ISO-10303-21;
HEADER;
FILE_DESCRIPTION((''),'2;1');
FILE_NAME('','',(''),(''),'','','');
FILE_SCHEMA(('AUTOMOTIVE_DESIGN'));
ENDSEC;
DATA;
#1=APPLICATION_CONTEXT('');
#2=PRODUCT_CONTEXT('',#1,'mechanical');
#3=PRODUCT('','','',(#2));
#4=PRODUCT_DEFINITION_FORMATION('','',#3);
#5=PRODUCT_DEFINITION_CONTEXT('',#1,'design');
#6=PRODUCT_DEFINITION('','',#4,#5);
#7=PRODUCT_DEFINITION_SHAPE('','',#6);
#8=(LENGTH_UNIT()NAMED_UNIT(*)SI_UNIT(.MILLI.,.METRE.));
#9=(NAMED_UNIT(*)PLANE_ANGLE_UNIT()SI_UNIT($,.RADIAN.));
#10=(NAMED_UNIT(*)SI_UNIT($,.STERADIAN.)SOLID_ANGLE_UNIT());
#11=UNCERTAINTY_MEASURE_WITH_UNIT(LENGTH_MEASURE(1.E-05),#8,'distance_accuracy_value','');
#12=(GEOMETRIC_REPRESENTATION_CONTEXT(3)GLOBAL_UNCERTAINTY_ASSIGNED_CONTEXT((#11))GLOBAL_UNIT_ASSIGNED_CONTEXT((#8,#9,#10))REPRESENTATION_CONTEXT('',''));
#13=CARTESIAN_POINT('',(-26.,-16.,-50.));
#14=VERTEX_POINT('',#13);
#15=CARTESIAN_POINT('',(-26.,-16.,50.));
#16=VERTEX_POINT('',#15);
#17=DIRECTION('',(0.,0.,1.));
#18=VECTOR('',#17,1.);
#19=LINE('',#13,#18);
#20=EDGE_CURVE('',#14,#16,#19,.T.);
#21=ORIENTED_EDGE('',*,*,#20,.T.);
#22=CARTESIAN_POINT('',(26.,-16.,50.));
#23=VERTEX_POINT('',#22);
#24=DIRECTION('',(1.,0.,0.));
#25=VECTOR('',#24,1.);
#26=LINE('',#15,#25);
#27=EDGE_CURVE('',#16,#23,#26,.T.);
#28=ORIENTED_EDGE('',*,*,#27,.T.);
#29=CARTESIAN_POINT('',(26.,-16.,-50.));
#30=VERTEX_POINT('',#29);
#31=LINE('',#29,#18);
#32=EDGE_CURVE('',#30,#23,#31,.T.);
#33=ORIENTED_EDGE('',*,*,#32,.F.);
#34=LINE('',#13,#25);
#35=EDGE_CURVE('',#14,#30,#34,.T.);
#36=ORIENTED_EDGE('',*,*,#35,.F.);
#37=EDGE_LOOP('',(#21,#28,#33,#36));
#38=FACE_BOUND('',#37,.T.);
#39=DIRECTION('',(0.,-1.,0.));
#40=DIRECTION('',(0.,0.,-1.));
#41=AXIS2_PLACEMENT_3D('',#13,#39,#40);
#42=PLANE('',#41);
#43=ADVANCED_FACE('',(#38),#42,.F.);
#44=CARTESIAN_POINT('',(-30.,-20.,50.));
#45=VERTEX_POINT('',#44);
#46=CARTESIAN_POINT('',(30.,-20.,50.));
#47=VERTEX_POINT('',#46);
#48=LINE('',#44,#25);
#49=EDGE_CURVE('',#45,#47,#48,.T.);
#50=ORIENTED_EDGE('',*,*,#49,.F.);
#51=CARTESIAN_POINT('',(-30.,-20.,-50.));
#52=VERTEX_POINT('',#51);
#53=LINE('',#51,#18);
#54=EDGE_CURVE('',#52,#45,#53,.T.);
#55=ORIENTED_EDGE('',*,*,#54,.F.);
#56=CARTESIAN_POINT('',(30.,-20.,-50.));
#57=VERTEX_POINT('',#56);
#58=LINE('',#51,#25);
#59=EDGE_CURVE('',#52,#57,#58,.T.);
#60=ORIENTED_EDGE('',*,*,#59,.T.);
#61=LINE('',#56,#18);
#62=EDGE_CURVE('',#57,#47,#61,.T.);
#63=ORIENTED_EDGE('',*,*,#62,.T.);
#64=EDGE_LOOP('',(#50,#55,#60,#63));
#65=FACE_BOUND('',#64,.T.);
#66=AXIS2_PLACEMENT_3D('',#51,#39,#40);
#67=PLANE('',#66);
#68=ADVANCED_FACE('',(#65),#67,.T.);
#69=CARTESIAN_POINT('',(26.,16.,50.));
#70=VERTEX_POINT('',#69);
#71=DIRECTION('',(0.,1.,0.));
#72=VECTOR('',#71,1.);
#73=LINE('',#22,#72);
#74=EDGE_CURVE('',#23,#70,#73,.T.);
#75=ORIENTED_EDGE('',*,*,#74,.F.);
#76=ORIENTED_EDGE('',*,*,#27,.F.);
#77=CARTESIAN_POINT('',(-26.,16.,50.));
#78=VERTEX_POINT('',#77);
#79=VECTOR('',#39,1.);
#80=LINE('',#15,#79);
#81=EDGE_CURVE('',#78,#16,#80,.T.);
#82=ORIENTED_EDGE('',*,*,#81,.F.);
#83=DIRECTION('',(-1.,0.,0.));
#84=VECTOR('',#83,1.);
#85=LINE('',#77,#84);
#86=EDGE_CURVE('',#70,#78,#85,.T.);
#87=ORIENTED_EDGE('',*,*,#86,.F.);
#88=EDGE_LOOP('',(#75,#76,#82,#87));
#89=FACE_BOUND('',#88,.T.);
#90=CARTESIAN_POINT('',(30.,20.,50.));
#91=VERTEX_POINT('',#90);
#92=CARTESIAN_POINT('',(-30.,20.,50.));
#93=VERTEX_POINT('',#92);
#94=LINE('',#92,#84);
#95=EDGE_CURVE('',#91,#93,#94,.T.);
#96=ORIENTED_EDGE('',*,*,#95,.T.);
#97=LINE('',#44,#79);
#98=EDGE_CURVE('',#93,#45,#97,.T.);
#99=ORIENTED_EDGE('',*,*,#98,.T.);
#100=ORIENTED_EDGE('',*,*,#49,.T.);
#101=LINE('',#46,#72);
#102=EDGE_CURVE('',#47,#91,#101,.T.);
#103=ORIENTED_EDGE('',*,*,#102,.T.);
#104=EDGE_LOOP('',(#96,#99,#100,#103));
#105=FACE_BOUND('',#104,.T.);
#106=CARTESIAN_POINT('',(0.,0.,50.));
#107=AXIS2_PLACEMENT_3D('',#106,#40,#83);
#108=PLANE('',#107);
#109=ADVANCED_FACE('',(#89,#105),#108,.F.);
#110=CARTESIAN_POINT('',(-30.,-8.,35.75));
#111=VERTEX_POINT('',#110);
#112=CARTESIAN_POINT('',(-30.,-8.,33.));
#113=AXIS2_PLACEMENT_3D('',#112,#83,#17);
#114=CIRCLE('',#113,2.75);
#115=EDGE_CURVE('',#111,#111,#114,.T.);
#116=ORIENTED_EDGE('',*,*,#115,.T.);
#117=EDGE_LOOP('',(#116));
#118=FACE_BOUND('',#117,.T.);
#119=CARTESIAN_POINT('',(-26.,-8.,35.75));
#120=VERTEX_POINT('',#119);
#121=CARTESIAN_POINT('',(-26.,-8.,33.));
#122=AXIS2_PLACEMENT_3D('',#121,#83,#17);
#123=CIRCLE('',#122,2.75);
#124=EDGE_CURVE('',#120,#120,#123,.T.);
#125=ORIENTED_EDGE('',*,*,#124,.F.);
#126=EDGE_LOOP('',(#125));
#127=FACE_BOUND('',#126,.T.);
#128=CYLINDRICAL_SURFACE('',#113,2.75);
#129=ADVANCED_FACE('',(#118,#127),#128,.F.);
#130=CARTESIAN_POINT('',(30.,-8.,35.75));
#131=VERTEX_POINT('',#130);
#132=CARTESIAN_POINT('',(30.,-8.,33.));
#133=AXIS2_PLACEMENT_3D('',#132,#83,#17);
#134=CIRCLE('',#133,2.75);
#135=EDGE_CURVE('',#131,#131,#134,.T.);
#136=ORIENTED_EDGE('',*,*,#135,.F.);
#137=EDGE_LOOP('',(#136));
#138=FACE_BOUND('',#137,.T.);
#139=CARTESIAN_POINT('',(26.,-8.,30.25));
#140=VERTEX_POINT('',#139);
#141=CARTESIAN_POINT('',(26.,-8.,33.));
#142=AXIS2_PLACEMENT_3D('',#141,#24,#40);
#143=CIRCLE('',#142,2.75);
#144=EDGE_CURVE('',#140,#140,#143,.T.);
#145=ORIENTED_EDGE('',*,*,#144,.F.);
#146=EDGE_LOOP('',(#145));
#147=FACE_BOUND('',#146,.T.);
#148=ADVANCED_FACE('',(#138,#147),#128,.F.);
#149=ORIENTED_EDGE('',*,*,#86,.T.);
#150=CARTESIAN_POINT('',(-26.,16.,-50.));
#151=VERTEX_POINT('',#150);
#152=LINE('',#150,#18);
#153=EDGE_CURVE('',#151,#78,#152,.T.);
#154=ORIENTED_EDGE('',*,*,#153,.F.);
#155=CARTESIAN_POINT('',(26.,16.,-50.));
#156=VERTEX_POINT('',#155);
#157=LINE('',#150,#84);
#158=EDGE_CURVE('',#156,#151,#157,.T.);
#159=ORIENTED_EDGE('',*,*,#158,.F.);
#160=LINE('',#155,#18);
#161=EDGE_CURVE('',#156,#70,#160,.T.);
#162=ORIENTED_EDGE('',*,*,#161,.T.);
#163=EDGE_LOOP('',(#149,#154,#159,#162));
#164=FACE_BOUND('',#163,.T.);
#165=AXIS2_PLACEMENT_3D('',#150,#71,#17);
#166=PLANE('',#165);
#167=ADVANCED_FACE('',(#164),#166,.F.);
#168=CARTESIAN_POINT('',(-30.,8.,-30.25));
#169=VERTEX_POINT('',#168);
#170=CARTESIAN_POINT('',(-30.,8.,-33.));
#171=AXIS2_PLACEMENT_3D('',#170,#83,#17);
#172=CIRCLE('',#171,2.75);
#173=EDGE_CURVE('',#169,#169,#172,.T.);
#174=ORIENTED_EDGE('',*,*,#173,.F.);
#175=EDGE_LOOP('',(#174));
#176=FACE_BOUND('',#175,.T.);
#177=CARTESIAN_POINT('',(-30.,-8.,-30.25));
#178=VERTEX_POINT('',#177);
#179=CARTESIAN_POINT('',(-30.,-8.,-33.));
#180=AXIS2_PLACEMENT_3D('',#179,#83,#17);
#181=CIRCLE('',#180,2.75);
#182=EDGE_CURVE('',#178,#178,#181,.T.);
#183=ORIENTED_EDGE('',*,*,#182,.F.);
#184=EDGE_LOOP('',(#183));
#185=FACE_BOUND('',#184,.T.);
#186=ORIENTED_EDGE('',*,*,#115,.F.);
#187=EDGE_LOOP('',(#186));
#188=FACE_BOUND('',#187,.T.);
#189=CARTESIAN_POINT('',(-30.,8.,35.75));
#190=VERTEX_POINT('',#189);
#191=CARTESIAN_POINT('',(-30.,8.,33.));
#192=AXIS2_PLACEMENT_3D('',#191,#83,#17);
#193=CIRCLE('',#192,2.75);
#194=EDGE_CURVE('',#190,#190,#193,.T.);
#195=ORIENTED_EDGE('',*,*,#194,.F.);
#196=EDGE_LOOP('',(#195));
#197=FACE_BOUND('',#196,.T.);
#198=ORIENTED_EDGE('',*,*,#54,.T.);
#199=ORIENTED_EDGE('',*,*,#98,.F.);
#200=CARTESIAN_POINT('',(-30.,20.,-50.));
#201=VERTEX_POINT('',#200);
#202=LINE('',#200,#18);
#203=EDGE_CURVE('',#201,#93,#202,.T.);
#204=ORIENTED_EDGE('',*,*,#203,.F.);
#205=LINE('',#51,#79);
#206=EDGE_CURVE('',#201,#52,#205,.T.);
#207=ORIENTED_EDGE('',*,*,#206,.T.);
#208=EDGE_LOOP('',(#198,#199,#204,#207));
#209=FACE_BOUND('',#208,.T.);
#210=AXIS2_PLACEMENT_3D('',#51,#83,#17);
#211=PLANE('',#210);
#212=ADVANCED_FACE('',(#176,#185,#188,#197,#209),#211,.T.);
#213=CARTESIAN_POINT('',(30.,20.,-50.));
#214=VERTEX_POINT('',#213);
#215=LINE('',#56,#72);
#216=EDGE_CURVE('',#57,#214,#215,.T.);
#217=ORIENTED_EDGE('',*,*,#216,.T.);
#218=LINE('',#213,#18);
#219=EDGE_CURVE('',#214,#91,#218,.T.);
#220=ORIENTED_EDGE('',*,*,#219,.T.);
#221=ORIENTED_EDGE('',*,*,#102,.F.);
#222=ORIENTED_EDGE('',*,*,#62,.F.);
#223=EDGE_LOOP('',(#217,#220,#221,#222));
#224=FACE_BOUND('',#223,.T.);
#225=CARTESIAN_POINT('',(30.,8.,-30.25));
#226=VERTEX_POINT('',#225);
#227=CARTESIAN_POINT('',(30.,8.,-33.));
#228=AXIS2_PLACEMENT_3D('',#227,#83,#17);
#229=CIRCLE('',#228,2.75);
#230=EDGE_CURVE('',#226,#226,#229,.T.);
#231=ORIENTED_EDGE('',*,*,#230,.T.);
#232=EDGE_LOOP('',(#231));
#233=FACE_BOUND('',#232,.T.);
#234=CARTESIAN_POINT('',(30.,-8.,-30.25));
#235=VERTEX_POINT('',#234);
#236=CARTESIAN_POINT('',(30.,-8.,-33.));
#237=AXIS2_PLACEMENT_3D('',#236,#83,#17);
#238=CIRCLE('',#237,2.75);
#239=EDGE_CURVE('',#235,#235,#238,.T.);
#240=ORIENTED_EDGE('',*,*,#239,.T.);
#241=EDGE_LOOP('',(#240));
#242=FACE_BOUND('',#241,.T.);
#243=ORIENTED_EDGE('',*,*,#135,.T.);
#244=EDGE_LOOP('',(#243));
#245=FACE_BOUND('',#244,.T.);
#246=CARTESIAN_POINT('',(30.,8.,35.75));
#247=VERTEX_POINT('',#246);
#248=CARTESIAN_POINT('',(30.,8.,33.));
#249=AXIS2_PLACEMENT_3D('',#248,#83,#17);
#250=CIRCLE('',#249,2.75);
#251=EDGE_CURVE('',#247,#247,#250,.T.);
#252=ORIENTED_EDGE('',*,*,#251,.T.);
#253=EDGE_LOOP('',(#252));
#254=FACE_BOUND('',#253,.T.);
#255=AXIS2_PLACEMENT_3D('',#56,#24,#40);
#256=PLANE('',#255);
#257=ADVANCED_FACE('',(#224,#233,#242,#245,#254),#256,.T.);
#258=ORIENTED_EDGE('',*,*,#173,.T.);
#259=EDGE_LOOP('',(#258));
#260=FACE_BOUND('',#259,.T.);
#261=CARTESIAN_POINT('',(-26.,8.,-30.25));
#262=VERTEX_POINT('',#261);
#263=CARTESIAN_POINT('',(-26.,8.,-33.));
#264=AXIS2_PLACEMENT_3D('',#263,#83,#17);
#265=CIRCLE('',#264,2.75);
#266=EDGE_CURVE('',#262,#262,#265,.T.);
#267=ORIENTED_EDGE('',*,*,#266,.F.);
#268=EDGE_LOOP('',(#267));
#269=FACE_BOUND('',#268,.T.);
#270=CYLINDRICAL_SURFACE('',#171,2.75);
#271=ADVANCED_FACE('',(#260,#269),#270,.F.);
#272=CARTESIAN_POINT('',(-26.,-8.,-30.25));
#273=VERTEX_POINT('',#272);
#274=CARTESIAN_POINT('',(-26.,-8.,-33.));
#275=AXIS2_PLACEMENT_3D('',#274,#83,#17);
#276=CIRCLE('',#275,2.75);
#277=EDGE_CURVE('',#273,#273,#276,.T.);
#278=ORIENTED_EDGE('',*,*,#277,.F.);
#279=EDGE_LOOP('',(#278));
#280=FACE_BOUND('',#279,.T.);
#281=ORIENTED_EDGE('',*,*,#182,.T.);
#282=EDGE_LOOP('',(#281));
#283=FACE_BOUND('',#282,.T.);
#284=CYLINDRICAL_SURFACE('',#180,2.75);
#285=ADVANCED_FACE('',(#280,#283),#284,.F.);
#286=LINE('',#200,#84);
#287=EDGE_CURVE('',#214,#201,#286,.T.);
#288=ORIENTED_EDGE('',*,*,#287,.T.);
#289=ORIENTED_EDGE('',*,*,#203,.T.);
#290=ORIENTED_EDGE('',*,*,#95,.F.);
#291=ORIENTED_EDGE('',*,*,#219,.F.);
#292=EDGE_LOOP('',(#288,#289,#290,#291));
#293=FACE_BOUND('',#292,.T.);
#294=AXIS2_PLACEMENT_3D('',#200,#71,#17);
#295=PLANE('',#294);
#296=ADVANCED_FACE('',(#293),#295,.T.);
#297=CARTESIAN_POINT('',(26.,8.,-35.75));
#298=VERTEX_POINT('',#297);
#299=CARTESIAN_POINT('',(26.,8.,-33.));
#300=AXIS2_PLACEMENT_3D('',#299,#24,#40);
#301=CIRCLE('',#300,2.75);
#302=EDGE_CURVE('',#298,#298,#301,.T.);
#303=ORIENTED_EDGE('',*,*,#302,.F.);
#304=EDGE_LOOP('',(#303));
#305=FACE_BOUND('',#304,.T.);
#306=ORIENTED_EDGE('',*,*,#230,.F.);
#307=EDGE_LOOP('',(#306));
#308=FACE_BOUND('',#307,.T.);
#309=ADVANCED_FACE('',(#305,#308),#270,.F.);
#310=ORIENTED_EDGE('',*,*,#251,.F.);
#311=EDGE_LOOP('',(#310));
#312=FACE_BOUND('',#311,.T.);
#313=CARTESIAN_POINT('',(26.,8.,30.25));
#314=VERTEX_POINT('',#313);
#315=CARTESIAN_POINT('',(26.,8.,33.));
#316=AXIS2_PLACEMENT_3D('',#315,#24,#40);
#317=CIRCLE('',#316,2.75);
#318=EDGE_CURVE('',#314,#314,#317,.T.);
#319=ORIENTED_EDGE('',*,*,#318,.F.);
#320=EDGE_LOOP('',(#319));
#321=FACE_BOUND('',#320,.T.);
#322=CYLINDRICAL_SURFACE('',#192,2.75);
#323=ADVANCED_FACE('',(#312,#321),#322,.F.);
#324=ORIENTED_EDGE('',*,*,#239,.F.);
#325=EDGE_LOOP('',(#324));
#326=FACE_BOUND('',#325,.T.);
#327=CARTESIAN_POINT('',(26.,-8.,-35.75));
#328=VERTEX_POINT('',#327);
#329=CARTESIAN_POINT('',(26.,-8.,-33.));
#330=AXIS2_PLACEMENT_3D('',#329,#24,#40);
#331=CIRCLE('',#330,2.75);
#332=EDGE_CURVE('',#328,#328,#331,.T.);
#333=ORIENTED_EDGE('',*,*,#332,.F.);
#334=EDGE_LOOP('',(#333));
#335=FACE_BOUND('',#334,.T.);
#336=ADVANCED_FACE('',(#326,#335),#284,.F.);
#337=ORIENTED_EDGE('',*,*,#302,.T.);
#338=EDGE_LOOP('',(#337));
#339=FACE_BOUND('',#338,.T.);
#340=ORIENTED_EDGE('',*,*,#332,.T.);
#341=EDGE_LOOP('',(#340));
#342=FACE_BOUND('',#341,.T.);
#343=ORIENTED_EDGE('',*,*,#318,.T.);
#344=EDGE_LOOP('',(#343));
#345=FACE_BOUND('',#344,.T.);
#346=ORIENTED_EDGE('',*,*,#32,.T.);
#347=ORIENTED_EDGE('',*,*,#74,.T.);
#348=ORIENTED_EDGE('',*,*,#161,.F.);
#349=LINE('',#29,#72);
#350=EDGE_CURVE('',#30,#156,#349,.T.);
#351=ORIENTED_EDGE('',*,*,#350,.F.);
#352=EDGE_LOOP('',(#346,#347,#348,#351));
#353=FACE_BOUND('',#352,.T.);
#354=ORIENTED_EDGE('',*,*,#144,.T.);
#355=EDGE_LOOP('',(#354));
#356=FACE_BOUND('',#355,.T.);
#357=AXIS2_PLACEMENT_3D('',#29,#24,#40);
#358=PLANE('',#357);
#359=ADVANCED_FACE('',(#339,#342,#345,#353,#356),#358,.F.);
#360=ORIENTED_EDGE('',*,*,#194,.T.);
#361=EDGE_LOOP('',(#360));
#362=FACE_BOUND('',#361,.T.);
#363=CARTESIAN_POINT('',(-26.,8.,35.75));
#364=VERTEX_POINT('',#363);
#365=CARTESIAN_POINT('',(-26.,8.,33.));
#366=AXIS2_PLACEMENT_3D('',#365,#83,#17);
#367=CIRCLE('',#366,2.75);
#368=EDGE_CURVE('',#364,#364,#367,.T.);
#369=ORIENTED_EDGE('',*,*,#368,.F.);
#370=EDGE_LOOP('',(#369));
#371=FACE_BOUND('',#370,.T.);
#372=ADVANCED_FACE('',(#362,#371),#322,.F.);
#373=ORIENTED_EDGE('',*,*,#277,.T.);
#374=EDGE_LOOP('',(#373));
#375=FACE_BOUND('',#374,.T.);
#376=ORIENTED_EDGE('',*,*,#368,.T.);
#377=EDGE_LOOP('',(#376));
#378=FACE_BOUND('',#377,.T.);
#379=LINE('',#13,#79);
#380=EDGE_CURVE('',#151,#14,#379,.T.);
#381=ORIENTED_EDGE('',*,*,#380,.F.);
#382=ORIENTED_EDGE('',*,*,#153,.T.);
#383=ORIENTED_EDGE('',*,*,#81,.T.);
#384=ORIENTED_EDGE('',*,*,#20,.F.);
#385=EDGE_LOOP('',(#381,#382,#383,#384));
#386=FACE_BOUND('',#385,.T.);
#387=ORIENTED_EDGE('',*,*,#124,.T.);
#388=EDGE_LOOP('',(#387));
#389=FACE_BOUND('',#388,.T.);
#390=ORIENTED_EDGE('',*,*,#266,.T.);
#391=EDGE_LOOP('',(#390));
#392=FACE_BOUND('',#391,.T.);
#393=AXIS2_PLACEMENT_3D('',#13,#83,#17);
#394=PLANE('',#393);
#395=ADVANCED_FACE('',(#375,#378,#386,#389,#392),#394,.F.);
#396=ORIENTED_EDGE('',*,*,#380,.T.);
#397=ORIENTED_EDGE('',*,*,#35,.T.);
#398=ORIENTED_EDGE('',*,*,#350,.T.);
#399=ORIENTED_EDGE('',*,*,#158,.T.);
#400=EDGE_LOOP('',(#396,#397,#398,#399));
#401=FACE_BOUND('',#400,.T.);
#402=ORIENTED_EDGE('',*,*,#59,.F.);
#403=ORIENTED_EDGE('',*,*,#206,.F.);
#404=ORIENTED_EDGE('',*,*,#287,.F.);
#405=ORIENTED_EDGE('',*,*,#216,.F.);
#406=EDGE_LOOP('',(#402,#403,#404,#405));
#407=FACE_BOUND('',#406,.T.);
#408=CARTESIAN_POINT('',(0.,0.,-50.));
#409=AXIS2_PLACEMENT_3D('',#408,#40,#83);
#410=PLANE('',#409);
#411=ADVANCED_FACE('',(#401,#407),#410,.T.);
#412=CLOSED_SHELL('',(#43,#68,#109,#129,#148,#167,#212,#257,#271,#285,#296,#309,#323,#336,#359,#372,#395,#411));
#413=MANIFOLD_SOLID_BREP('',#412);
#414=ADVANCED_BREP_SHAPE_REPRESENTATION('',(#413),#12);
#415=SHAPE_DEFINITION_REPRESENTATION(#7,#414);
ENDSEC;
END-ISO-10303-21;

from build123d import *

# Parameters (mm, degrees)
EXTRUDE_3_DEPTH         = 50
EXTRUDE_3_DEPTH_BACK    = 50
SKETCH_2_W              = 60
SKETCH_2_H              = 40
SKETCH_2_W_2            = 52
SKETCH_2_H_2            = 32
HOLE_WIZARD_5_5_5_5_1_D = 5.5


with BuildPart() as part:
    # Эскиз2 → Бобышка-Вытянуть3 (new, two sides: drawn at the far end of the back side and taken through both)
    with BuildSketch(Plane.XY.offset(-EXTRUDE_3_DEPTH_BACK)):
        Rectangle(SKETCH_2_W, SKETCH_2_H)
        Rectangle(SKETCH_2_W_2, SKETCH_2_H_2, mode=Mode.SUBTRACT)
    extrude(amount=EXTRUDE_3_DEPTH + EXTRUDE_3_DEPTH_BACK)

    # Диаметр отверстия Ø5.5 (5.5)1 (through all)
    with Locations(Plane.ZY.offset(30)):
        with Locations((-33, 8), (-33, -8), (33, 8), (33, -8)):
            Hole(HOLE_WIZARD_5_5_5_5_1_D / 2)


solid = part.part
